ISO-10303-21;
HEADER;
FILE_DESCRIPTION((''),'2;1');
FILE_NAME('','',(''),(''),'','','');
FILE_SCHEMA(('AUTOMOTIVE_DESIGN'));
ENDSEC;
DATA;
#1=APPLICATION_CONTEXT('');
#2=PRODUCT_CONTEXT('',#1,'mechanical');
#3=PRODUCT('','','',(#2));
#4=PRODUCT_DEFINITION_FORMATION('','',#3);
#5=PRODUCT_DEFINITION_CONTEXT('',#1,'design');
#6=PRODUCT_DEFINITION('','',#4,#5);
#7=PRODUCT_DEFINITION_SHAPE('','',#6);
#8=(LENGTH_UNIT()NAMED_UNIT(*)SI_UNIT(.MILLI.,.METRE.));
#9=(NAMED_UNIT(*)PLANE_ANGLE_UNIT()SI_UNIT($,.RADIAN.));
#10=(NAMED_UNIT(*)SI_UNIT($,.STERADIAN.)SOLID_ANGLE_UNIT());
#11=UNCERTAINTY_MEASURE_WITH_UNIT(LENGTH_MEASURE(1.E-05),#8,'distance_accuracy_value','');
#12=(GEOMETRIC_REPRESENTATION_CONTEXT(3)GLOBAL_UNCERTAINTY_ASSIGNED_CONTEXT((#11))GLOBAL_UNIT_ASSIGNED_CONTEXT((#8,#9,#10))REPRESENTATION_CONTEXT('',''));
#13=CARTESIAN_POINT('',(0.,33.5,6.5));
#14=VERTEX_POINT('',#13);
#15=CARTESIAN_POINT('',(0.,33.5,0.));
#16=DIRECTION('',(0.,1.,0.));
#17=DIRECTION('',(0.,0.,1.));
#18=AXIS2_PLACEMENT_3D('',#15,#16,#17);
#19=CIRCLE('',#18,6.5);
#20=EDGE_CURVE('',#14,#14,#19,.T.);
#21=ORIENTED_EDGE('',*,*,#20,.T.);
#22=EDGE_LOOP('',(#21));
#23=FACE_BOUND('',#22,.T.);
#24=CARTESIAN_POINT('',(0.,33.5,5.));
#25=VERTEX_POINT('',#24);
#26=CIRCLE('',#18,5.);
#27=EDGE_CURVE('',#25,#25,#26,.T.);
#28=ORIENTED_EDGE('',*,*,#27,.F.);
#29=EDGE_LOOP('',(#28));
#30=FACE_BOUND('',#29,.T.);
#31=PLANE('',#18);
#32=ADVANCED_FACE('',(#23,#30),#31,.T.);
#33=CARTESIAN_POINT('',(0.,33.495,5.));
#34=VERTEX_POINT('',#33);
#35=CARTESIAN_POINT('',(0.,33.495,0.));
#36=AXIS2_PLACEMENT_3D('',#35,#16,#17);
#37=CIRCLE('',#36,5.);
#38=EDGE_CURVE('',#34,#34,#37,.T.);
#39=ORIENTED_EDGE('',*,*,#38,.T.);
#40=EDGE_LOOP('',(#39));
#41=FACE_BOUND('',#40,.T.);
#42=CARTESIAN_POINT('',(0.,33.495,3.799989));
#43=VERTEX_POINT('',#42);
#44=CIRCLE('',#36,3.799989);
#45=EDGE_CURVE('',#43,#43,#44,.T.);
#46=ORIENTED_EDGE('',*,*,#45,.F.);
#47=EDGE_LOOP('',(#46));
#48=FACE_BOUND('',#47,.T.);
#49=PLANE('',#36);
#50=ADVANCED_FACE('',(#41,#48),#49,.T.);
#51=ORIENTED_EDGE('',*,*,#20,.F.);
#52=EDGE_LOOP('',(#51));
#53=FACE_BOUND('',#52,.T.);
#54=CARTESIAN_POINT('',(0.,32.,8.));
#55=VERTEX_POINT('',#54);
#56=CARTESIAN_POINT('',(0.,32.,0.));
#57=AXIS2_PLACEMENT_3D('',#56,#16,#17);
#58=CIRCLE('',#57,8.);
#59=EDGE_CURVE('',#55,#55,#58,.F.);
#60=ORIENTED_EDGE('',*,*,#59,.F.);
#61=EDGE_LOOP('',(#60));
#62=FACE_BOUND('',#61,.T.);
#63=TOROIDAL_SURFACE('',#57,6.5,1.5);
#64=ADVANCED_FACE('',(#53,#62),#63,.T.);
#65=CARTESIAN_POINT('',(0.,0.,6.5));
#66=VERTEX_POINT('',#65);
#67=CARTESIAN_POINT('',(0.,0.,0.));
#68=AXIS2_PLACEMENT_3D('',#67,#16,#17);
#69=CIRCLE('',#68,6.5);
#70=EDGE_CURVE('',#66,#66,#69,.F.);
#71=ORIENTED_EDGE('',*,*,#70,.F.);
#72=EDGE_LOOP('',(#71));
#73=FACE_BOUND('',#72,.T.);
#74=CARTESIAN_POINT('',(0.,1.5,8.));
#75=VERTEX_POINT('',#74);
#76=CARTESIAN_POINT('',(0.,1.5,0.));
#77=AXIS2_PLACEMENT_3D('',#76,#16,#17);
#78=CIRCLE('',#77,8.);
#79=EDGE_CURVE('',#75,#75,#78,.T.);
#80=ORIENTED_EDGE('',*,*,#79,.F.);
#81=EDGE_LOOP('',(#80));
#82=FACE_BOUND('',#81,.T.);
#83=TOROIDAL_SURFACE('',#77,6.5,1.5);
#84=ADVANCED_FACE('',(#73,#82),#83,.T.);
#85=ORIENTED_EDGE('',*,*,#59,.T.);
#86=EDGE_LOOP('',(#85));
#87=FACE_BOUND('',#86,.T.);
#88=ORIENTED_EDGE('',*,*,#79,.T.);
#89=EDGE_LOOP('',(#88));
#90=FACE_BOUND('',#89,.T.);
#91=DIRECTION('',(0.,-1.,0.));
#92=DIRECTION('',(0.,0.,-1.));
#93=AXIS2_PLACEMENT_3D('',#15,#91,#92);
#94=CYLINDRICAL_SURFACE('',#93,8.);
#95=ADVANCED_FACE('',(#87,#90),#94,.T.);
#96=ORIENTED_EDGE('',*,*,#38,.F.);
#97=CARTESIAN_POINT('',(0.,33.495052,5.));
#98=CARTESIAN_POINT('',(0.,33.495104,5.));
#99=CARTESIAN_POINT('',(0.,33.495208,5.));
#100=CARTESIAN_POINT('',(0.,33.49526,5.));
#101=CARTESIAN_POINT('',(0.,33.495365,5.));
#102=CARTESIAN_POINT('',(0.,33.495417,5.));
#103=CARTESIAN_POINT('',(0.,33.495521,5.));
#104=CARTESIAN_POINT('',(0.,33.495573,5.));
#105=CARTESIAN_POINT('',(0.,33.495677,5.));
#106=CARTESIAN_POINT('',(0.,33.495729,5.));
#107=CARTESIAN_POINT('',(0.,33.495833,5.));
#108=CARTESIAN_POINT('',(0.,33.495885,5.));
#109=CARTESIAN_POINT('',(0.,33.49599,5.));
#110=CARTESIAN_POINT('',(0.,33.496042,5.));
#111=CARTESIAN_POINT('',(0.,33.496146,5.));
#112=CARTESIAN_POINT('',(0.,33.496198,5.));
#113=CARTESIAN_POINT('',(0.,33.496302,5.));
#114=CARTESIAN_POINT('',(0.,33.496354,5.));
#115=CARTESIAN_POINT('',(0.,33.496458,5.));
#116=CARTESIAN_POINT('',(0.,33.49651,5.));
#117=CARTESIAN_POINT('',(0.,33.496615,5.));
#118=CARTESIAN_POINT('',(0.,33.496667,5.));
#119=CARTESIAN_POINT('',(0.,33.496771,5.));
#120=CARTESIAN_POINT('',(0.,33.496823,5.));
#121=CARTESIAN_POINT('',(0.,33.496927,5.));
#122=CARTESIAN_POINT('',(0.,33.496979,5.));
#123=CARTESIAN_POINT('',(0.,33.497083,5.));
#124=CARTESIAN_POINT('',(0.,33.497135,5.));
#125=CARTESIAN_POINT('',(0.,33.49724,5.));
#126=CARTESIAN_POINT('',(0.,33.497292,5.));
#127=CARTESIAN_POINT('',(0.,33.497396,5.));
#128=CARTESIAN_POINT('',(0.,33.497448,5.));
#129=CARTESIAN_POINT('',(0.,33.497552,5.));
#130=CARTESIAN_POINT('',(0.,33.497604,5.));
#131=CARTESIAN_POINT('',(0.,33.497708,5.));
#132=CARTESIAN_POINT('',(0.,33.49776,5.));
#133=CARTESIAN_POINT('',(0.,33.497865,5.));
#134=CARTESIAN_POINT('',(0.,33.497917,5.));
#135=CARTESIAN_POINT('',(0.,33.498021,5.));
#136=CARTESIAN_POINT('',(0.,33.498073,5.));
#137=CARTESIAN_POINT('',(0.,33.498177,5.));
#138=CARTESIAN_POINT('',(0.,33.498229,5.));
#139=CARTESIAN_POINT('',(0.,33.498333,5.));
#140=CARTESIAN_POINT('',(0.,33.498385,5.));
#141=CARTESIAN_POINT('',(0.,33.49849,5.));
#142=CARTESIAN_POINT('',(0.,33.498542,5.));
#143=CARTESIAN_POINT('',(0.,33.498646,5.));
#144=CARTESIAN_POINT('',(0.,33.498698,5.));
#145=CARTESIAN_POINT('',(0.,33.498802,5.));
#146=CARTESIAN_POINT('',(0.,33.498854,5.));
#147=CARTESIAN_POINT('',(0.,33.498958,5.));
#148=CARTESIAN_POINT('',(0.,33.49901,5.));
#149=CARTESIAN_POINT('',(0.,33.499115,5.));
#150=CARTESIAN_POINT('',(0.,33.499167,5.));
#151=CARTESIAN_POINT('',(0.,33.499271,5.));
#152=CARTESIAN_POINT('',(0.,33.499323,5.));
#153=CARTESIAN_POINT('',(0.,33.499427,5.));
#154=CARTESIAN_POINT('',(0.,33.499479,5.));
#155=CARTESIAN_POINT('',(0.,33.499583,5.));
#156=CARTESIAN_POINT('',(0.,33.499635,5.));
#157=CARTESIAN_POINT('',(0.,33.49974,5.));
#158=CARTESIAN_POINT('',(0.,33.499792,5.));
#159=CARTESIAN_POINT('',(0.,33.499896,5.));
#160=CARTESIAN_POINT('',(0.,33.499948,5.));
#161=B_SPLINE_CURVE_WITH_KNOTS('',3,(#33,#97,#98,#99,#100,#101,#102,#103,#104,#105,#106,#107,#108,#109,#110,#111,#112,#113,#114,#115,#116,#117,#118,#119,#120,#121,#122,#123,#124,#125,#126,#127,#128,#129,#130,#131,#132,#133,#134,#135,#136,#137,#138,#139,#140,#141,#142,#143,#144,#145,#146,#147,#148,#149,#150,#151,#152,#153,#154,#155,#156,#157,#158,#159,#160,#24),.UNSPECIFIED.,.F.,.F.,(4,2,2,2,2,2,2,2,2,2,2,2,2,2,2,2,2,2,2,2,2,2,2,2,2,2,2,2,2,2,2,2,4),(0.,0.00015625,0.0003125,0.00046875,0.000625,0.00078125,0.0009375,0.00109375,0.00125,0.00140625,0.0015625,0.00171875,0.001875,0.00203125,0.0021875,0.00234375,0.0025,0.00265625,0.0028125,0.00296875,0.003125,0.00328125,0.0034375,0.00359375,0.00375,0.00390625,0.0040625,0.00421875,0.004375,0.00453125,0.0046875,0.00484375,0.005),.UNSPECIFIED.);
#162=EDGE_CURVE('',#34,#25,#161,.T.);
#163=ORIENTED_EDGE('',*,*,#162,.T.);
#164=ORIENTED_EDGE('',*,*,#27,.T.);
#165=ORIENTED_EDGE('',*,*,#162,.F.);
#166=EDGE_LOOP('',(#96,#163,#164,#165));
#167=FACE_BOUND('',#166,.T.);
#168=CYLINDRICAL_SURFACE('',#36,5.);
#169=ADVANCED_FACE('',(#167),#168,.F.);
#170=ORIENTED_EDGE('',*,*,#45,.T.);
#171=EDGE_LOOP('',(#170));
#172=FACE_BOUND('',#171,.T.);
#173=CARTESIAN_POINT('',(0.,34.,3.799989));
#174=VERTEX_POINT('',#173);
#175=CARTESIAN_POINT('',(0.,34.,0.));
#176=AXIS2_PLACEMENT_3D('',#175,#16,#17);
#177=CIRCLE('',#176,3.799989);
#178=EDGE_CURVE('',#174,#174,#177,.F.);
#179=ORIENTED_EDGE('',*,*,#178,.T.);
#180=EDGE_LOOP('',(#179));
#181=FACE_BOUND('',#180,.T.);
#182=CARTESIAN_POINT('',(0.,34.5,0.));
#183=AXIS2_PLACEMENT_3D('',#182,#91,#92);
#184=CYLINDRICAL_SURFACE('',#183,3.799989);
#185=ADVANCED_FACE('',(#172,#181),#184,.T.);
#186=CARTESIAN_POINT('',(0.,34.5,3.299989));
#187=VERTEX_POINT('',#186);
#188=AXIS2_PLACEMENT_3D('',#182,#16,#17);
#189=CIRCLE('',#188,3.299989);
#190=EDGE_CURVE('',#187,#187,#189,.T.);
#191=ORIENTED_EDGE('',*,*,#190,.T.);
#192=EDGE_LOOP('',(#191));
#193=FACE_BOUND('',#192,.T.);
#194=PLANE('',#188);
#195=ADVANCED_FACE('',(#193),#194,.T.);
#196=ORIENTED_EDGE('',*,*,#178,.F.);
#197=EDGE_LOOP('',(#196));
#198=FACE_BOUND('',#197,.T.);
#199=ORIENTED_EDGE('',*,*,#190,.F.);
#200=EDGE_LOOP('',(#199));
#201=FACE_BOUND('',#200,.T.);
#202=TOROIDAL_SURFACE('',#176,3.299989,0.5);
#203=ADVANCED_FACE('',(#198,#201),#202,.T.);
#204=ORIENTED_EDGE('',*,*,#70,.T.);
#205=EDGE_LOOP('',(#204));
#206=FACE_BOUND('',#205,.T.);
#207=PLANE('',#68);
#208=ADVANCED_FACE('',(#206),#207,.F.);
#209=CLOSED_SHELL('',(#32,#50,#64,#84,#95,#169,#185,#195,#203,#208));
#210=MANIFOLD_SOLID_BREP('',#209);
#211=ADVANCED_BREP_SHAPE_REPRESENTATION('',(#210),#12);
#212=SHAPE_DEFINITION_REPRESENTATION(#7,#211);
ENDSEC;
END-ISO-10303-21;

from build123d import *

# Parameters (mm, degrees)
SKIZZE1_R                       = 8
AUFSATZ_LINEAR_AUSTRAGEN1_DEPTH = 33.5
SKIZZE2_R                       = 3.799988553
AUFSATZ_LINEAR_AUSTRAGEN2_DEPTH = 1
VERRUNDUNG1_R                   = 1.5
VERRUNDUNG2_R                   = 0.5
SCHNITT_LINEAR_START            = -0.005
SKIZZE3_R                       = 5
SKIZZE3_R_2                     = 3.799988553
SCHNITT_LINEAR_AUSTRAGEN1_DEPTH = 0.005


with BuildPart() as part:
    # Skizze1 → Aufsatz-Linear austragen1 (new body)
    with BuildSketch(Plane(origin=(0, 0, 0), x_dir=(1, 0, 0), z_dir=(0, 1, 0))):
        with Locations(Location((0, 0, 0), (0, 0, 270))):
            Circle(SKIZZE1_R)
    extrude(amount=AUFSATZ_LINEAR_AUSTRAGEN1_DEPTH)

    # Skizze2 → Aufsatz-Linear austragen2 (add)
    with BuildSketch(Plane(origin=(0, 33.5, 0), x_dir=(1, 0, 0), z_dir=(0, 1, 0))):
        with Locations(Location((0, 0, 0), (0, 0, 270))):
            Circle(SKIZZE2_R)
    extrude(amount=AUFSATZ_LINEAR_AUSTRAGEN2_DEPTH)

    # Verrundung1
    verrundung1_edges = [part.edges().sort_by_distance(p)[0] for p in [
        (0, 0, -8),
        (0, 33.5, -8),
    ]]
    fillet(verrundung1_edges, radius=VERRUNDUNG1_R)

    # Verrundung2
    verrundung2_edges = [part.edges().sort_by_distance(p)[0] for p in [
        (0, 34.5, -3.799988553),
    ]]
    fillet(verrundung2_edges, radius=VERRUNDUNG2_R)

    # Skizze3 → Schnitt-Linear austragen1 (cut)
    with BuildSketch(Plane(origin=(0, 33.5, 0), x_dir=(1, 0, 0), z_dir=(0, 1, 0)).offset(SCHNITT_LINEAR_START)):
        with Locations(Location((0, 0, 0), (0, 0, 270))):
            Circle(SKIZZE3_R)
        with Locations(Location((0, 0, 0), (0, 0, 270))):
            Circle(SKIZZE3_R_2, mode=Mode.SUBTRACT)
    extrude(amount=SCHNITT_LINEAR_AUSTRAGEN1_DEPTH, mode=Mode.SUBTRACT)


solid = part.part
